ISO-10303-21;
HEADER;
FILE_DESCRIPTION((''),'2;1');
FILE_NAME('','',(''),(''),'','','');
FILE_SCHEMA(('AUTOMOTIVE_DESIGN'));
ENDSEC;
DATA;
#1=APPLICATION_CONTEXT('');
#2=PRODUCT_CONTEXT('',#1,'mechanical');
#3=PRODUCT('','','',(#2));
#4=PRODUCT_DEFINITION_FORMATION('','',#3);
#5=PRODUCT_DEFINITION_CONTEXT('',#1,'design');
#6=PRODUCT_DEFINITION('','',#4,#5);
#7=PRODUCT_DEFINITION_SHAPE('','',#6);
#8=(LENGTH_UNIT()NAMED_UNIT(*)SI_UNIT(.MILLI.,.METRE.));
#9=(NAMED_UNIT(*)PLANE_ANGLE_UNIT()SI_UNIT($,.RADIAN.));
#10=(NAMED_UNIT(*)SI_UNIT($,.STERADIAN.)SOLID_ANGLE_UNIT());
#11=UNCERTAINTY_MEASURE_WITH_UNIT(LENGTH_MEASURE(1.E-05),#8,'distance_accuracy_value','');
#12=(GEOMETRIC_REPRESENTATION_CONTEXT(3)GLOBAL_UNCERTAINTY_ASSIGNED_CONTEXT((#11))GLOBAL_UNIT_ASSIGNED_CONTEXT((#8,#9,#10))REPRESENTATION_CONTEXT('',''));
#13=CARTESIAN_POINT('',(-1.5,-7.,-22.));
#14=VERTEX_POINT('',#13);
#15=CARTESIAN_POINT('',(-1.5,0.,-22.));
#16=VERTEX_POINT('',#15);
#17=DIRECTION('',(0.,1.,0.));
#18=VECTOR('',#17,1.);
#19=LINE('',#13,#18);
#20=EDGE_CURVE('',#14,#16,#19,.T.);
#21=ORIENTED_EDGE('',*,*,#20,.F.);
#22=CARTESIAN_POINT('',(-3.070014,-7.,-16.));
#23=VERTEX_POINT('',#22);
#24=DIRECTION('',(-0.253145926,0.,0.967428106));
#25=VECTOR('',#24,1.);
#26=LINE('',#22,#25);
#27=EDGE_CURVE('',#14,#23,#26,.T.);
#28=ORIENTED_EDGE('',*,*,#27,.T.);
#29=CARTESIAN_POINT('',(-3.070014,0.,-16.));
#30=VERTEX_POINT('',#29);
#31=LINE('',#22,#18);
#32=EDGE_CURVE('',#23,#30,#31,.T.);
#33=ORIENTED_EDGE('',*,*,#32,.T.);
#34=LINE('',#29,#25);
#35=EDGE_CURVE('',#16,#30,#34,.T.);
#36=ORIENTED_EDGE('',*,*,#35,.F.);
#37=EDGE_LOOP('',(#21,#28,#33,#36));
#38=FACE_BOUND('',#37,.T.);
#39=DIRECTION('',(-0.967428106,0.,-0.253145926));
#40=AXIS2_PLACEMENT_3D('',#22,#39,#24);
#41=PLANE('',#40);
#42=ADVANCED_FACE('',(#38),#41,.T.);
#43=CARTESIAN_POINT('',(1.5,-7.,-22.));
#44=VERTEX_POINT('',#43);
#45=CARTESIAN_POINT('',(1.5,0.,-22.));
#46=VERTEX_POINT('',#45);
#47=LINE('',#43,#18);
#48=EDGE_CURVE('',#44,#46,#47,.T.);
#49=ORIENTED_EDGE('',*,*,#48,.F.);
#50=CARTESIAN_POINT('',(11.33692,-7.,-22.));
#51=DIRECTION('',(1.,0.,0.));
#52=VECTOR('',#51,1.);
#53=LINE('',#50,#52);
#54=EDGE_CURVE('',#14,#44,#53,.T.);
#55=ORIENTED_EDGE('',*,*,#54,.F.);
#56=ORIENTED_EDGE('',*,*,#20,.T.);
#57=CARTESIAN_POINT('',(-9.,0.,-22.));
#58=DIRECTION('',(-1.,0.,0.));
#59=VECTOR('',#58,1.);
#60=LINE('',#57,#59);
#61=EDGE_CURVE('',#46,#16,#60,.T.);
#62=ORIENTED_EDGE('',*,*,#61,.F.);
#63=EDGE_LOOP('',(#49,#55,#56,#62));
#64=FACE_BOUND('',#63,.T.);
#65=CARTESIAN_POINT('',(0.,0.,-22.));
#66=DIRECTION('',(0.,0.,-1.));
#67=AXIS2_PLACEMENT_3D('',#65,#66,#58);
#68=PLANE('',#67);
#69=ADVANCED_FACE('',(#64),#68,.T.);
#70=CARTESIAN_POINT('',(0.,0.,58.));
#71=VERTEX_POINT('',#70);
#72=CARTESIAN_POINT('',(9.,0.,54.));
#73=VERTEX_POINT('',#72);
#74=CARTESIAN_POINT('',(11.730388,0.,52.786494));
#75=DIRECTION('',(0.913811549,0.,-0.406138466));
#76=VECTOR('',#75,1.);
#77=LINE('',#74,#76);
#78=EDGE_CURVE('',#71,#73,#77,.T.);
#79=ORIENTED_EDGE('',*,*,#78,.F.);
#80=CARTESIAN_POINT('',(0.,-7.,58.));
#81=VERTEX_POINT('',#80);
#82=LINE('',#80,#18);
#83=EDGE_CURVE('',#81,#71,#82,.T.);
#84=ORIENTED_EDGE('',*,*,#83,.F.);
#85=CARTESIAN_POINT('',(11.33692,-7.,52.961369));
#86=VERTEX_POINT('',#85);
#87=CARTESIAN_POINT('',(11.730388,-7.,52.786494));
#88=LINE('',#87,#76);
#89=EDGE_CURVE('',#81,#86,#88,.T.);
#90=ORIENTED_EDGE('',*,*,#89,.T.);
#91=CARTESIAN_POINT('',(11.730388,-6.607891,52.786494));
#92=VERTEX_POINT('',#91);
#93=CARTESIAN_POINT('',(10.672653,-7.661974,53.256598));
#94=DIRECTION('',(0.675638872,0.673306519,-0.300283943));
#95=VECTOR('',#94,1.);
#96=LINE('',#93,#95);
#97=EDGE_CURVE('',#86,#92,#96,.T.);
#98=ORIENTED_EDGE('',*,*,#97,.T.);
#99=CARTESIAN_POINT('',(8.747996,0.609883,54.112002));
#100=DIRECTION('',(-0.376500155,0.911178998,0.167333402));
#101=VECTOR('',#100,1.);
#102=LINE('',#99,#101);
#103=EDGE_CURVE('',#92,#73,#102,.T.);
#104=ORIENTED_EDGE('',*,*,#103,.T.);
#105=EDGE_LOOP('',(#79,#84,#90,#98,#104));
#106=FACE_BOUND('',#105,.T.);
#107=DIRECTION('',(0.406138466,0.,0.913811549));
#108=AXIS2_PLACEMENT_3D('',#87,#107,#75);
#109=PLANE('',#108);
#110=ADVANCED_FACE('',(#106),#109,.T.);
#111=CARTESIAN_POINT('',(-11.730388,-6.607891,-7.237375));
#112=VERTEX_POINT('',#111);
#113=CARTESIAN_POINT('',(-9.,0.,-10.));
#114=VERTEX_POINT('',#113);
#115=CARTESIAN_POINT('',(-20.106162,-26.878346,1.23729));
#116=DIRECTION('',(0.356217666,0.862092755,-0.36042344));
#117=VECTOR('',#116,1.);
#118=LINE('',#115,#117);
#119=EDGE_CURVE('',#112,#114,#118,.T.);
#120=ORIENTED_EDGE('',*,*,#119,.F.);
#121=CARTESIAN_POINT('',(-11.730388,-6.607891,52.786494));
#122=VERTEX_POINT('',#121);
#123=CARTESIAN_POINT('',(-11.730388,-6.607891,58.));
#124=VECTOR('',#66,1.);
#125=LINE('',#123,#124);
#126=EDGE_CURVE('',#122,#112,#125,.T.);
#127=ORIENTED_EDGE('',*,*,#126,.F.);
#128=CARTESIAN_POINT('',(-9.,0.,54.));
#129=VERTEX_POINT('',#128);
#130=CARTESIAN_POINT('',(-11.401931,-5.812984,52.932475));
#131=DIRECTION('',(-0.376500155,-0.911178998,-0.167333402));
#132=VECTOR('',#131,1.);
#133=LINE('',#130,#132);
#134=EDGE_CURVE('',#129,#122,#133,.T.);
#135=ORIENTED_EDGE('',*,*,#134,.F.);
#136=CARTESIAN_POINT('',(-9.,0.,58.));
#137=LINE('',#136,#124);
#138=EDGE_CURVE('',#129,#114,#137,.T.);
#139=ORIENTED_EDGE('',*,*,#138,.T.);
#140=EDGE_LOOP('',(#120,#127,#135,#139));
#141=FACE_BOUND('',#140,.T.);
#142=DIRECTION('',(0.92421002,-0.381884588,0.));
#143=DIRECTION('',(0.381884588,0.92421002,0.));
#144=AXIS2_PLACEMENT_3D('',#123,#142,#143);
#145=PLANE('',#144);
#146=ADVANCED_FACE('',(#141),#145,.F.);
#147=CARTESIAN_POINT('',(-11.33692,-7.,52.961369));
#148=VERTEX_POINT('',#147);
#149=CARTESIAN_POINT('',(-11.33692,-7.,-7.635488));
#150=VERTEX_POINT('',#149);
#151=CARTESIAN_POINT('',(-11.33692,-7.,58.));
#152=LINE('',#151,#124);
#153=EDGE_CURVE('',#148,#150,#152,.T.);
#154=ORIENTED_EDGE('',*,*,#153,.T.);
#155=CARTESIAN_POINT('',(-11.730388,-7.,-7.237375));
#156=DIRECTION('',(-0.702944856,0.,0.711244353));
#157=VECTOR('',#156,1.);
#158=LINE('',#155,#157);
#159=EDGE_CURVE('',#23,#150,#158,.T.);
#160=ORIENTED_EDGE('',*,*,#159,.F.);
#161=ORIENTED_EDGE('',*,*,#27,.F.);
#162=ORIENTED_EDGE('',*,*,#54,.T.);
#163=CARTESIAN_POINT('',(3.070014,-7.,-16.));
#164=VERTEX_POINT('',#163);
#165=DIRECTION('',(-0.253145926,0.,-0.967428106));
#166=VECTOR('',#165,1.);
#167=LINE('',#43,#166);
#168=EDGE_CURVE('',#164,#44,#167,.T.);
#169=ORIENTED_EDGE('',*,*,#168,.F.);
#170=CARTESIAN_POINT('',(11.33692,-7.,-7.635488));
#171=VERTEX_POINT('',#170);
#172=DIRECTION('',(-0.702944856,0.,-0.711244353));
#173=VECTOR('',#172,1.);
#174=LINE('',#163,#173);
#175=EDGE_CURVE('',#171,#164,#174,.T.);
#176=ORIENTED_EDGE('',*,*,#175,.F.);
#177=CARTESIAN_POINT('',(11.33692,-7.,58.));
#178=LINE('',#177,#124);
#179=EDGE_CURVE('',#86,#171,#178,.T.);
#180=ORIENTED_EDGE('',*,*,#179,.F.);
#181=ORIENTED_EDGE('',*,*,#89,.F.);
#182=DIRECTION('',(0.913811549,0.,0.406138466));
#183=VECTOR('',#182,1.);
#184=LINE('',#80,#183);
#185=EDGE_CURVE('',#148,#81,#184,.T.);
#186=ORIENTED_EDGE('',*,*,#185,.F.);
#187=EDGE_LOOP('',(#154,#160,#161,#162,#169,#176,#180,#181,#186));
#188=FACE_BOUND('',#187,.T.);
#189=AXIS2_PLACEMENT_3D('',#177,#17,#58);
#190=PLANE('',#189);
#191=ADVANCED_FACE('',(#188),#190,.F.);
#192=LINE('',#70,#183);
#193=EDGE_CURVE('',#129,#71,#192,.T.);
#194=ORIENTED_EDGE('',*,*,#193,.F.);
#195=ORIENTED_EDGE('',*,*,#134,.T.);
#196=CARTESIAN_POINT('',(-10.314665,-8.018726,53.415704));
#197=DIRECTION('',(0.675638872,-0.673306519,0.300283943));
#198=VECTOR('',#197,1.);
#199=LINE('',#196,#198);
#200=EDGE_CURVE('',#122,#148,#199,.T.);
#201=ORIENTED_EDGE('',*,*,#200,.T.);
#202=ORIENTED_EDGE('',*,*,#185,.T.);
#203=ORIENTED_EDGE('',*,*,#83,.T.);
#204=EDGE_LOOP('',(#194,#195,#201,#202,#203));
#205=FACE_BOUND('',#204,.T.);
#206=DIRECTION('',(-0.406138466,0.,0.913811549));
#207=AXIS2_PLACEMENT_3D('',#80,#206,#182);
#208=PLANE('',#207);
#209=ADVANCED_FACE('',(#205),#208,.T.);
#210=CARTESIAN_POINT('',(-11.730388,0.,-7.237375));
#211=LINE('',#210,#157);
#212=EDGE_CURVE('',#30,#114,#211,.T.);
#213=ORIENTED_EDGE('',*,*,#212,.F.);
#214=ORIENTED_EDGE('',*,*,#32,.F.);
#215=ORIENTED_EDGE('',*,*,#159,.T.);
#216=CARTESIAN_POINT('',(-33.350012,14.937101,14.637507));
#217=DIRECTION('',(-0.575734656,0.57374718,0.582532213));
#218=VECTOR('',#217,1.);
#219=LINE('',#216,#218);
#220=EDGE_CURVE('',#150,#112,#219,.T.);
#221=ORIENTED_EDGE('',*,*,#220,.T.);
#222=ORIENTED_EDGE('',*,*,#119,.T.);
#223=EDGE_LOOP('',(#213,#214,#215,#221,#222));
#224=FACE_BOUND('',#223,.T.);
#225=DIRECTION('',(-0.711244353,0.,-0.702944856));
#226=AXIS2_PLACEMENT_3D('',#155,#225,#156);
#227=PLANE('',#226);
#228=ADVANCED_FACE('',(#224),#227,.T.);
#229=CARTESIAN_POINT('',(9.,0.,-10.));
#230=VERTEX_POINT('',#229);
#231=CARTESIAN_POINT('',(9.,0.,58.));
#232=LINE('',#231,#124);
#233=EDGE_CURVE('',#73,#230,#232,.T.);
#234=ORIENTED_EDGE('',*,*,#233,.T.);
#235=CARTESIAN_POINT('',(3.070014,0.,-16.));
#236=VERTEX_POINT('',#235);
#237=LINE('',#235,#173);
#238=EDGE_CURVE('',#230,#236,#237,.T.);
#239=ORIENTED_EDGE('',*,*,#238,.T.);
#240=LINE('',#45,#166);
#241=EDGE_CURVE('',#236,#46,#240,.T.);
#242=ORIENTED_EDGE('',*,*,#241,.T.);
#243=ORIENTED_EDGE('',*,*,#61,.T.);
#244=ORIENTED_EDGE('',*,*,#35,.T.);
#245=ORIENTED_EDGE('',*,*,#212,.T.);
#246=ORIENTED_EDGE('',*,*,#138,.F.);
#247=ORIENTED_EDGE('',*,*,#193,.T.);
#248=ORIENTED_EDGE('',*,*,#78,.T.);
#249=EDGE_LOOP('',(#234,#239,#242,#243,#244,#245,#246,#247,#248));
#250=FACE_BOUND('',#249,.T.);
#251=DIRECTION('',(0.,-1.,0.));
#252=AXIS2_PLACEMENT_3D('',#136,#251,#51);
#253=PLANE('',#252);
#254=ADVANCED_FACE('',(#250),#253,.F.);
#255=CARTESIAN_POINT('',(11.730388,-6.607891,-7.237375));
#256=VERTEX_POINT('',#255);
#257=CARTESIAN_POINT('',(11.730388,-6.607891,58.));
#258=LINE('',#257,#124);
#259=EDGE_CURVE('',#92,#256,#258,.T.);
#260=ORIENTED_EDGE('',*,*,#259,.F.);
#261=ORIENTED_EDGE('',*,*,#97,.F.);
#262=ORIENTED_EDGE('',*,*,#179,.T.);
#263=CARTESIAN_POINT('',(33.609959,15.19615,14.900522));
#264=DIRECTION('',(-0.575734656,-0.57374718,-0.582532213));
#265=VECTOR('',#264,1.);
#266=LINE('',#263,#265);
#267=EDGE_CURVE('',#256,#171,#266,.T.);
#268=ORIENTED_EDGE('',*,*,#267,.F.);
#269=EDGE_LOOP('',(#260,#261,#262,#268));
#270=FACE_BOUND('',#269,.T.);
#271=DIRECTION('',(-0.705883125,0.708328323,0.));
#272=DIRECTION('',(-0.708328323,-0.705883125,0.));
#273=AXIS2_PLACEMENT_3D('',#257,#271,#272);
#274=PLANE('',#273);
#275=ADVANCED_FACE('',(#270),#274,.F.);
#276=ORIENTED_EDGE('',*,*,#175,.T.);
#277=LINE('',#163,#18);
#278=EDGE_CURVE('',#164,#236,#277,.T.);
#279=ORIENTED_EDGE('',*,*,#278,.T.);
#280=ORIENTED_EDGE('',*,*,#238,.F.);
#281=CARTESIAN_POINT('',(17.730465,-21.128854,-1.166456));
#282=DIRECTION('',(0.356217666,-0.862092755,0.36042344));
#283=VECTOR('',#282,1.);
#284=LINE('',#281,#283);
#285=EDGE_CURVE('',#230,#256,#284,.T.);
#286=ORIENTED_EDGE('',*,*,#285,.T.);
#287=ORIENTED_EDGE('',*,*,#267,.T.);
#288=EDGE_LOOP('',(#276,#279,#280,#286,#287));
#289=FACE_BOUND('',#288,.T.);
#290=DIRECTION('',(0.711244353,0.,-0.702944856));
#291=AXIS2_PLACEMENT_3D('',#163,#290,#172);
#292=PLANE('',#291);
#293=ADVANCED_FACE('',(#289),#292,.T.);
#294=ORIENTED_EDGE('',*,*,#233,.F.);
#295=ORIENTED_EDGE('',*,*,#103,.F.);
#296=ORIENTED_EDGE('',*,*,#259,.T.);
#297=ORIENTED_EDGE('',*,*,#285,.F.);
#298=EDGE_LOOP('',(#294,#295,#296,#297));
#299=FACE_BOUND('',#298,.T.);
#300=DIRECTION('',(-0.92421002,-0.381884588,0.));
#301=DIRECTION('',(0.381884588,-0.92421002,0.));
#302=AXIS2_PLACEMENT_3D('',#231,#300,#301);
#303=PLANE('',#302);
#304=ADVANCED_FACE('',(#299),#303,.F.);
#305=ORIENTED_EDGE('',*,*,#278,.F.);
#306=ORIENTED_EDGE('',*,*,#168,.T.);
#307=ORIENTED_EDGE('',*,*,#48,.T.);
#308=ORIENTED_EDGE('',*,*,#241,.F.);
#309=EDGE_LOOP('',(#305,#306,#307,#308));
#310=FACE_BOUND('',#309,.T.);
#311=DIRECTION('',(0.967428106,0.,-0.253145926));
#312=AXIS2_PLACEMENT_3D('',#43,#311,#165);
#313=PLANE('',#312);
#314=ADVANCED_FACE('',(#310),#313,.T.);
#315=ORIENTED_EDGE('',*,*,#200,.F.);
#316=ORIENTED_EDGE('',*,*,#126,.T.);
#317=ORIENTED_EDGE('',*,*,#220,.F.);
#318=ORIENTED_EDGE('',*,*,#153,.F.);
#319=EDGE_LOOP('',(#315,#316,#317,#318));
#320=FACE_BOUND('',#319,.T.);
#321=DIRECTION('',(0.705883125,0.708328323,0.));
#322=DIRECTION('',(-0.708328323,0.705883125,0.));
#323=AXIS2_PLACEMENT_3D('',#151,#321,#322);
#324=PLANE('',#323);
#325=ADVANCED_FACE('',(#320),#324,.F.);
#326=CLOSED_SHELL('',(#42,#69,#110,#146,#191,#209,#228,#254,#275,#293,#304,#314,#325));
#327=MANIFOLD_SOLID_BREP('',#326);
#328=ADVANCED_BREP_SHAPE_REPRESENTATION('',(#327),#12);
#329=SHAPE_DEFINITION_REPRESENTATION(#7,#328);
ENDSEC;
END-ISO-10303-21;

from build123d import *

# Parameters (mm, degrees)
BOSS_EXTRUDE1_START = -22
BOSS_EXTRUDE1_DEPTH = 80
SKETCH3_OUTSIDE_W   = 42.192
SKETCH3_OUTSIDE_H   = 98.732
CUT_EXTRUDE1_DEPTH  = 60.586928072


with BuildPart() as part:
    # Sketch2 → Boss-Extrude1 (new body)
    with BuildSketch(Plane.XY.offset(BOSS_EXTRUDE1_START)):
        Polygon((9, 0), (11.730387764, -6.607891004), (11.336920491, -7), (-11.336920491, -7), (-11.730387764, -6.607891004), (-9, 0), align=None)
    extrude(amount=BOSS_EXTRUDE1_DEPTH)

    # Sketch3 outside → Cut-Extrude1 (cut, through all)
    with BuildSketch(Plane(origin=(0, 0, 0), x_dir=(1, 0, 0), z_dir=(0, 1, 0))):
        with Locations((0, -18)):
            Rectangle(SKETCH3_OUTSIDE_W, SKETCH3_OUTSIDE_H)
        Polygon((-11.730387764, 7.23737522), (-3.070013885, 16), (-1.5, 22), (1.5, 22), (3.070013885, 16), (11.730387764, 7.23737522), (11.730387764, -52.786494327), (0, -58), (-11.730387764, -52.786494327), align=None, mode=Mode.SUBTRACT)
    extrude(amount=-CUT_EXTRUDE1_DEPTH, mode=Mode.SUBTRACT)


solid = part.part
